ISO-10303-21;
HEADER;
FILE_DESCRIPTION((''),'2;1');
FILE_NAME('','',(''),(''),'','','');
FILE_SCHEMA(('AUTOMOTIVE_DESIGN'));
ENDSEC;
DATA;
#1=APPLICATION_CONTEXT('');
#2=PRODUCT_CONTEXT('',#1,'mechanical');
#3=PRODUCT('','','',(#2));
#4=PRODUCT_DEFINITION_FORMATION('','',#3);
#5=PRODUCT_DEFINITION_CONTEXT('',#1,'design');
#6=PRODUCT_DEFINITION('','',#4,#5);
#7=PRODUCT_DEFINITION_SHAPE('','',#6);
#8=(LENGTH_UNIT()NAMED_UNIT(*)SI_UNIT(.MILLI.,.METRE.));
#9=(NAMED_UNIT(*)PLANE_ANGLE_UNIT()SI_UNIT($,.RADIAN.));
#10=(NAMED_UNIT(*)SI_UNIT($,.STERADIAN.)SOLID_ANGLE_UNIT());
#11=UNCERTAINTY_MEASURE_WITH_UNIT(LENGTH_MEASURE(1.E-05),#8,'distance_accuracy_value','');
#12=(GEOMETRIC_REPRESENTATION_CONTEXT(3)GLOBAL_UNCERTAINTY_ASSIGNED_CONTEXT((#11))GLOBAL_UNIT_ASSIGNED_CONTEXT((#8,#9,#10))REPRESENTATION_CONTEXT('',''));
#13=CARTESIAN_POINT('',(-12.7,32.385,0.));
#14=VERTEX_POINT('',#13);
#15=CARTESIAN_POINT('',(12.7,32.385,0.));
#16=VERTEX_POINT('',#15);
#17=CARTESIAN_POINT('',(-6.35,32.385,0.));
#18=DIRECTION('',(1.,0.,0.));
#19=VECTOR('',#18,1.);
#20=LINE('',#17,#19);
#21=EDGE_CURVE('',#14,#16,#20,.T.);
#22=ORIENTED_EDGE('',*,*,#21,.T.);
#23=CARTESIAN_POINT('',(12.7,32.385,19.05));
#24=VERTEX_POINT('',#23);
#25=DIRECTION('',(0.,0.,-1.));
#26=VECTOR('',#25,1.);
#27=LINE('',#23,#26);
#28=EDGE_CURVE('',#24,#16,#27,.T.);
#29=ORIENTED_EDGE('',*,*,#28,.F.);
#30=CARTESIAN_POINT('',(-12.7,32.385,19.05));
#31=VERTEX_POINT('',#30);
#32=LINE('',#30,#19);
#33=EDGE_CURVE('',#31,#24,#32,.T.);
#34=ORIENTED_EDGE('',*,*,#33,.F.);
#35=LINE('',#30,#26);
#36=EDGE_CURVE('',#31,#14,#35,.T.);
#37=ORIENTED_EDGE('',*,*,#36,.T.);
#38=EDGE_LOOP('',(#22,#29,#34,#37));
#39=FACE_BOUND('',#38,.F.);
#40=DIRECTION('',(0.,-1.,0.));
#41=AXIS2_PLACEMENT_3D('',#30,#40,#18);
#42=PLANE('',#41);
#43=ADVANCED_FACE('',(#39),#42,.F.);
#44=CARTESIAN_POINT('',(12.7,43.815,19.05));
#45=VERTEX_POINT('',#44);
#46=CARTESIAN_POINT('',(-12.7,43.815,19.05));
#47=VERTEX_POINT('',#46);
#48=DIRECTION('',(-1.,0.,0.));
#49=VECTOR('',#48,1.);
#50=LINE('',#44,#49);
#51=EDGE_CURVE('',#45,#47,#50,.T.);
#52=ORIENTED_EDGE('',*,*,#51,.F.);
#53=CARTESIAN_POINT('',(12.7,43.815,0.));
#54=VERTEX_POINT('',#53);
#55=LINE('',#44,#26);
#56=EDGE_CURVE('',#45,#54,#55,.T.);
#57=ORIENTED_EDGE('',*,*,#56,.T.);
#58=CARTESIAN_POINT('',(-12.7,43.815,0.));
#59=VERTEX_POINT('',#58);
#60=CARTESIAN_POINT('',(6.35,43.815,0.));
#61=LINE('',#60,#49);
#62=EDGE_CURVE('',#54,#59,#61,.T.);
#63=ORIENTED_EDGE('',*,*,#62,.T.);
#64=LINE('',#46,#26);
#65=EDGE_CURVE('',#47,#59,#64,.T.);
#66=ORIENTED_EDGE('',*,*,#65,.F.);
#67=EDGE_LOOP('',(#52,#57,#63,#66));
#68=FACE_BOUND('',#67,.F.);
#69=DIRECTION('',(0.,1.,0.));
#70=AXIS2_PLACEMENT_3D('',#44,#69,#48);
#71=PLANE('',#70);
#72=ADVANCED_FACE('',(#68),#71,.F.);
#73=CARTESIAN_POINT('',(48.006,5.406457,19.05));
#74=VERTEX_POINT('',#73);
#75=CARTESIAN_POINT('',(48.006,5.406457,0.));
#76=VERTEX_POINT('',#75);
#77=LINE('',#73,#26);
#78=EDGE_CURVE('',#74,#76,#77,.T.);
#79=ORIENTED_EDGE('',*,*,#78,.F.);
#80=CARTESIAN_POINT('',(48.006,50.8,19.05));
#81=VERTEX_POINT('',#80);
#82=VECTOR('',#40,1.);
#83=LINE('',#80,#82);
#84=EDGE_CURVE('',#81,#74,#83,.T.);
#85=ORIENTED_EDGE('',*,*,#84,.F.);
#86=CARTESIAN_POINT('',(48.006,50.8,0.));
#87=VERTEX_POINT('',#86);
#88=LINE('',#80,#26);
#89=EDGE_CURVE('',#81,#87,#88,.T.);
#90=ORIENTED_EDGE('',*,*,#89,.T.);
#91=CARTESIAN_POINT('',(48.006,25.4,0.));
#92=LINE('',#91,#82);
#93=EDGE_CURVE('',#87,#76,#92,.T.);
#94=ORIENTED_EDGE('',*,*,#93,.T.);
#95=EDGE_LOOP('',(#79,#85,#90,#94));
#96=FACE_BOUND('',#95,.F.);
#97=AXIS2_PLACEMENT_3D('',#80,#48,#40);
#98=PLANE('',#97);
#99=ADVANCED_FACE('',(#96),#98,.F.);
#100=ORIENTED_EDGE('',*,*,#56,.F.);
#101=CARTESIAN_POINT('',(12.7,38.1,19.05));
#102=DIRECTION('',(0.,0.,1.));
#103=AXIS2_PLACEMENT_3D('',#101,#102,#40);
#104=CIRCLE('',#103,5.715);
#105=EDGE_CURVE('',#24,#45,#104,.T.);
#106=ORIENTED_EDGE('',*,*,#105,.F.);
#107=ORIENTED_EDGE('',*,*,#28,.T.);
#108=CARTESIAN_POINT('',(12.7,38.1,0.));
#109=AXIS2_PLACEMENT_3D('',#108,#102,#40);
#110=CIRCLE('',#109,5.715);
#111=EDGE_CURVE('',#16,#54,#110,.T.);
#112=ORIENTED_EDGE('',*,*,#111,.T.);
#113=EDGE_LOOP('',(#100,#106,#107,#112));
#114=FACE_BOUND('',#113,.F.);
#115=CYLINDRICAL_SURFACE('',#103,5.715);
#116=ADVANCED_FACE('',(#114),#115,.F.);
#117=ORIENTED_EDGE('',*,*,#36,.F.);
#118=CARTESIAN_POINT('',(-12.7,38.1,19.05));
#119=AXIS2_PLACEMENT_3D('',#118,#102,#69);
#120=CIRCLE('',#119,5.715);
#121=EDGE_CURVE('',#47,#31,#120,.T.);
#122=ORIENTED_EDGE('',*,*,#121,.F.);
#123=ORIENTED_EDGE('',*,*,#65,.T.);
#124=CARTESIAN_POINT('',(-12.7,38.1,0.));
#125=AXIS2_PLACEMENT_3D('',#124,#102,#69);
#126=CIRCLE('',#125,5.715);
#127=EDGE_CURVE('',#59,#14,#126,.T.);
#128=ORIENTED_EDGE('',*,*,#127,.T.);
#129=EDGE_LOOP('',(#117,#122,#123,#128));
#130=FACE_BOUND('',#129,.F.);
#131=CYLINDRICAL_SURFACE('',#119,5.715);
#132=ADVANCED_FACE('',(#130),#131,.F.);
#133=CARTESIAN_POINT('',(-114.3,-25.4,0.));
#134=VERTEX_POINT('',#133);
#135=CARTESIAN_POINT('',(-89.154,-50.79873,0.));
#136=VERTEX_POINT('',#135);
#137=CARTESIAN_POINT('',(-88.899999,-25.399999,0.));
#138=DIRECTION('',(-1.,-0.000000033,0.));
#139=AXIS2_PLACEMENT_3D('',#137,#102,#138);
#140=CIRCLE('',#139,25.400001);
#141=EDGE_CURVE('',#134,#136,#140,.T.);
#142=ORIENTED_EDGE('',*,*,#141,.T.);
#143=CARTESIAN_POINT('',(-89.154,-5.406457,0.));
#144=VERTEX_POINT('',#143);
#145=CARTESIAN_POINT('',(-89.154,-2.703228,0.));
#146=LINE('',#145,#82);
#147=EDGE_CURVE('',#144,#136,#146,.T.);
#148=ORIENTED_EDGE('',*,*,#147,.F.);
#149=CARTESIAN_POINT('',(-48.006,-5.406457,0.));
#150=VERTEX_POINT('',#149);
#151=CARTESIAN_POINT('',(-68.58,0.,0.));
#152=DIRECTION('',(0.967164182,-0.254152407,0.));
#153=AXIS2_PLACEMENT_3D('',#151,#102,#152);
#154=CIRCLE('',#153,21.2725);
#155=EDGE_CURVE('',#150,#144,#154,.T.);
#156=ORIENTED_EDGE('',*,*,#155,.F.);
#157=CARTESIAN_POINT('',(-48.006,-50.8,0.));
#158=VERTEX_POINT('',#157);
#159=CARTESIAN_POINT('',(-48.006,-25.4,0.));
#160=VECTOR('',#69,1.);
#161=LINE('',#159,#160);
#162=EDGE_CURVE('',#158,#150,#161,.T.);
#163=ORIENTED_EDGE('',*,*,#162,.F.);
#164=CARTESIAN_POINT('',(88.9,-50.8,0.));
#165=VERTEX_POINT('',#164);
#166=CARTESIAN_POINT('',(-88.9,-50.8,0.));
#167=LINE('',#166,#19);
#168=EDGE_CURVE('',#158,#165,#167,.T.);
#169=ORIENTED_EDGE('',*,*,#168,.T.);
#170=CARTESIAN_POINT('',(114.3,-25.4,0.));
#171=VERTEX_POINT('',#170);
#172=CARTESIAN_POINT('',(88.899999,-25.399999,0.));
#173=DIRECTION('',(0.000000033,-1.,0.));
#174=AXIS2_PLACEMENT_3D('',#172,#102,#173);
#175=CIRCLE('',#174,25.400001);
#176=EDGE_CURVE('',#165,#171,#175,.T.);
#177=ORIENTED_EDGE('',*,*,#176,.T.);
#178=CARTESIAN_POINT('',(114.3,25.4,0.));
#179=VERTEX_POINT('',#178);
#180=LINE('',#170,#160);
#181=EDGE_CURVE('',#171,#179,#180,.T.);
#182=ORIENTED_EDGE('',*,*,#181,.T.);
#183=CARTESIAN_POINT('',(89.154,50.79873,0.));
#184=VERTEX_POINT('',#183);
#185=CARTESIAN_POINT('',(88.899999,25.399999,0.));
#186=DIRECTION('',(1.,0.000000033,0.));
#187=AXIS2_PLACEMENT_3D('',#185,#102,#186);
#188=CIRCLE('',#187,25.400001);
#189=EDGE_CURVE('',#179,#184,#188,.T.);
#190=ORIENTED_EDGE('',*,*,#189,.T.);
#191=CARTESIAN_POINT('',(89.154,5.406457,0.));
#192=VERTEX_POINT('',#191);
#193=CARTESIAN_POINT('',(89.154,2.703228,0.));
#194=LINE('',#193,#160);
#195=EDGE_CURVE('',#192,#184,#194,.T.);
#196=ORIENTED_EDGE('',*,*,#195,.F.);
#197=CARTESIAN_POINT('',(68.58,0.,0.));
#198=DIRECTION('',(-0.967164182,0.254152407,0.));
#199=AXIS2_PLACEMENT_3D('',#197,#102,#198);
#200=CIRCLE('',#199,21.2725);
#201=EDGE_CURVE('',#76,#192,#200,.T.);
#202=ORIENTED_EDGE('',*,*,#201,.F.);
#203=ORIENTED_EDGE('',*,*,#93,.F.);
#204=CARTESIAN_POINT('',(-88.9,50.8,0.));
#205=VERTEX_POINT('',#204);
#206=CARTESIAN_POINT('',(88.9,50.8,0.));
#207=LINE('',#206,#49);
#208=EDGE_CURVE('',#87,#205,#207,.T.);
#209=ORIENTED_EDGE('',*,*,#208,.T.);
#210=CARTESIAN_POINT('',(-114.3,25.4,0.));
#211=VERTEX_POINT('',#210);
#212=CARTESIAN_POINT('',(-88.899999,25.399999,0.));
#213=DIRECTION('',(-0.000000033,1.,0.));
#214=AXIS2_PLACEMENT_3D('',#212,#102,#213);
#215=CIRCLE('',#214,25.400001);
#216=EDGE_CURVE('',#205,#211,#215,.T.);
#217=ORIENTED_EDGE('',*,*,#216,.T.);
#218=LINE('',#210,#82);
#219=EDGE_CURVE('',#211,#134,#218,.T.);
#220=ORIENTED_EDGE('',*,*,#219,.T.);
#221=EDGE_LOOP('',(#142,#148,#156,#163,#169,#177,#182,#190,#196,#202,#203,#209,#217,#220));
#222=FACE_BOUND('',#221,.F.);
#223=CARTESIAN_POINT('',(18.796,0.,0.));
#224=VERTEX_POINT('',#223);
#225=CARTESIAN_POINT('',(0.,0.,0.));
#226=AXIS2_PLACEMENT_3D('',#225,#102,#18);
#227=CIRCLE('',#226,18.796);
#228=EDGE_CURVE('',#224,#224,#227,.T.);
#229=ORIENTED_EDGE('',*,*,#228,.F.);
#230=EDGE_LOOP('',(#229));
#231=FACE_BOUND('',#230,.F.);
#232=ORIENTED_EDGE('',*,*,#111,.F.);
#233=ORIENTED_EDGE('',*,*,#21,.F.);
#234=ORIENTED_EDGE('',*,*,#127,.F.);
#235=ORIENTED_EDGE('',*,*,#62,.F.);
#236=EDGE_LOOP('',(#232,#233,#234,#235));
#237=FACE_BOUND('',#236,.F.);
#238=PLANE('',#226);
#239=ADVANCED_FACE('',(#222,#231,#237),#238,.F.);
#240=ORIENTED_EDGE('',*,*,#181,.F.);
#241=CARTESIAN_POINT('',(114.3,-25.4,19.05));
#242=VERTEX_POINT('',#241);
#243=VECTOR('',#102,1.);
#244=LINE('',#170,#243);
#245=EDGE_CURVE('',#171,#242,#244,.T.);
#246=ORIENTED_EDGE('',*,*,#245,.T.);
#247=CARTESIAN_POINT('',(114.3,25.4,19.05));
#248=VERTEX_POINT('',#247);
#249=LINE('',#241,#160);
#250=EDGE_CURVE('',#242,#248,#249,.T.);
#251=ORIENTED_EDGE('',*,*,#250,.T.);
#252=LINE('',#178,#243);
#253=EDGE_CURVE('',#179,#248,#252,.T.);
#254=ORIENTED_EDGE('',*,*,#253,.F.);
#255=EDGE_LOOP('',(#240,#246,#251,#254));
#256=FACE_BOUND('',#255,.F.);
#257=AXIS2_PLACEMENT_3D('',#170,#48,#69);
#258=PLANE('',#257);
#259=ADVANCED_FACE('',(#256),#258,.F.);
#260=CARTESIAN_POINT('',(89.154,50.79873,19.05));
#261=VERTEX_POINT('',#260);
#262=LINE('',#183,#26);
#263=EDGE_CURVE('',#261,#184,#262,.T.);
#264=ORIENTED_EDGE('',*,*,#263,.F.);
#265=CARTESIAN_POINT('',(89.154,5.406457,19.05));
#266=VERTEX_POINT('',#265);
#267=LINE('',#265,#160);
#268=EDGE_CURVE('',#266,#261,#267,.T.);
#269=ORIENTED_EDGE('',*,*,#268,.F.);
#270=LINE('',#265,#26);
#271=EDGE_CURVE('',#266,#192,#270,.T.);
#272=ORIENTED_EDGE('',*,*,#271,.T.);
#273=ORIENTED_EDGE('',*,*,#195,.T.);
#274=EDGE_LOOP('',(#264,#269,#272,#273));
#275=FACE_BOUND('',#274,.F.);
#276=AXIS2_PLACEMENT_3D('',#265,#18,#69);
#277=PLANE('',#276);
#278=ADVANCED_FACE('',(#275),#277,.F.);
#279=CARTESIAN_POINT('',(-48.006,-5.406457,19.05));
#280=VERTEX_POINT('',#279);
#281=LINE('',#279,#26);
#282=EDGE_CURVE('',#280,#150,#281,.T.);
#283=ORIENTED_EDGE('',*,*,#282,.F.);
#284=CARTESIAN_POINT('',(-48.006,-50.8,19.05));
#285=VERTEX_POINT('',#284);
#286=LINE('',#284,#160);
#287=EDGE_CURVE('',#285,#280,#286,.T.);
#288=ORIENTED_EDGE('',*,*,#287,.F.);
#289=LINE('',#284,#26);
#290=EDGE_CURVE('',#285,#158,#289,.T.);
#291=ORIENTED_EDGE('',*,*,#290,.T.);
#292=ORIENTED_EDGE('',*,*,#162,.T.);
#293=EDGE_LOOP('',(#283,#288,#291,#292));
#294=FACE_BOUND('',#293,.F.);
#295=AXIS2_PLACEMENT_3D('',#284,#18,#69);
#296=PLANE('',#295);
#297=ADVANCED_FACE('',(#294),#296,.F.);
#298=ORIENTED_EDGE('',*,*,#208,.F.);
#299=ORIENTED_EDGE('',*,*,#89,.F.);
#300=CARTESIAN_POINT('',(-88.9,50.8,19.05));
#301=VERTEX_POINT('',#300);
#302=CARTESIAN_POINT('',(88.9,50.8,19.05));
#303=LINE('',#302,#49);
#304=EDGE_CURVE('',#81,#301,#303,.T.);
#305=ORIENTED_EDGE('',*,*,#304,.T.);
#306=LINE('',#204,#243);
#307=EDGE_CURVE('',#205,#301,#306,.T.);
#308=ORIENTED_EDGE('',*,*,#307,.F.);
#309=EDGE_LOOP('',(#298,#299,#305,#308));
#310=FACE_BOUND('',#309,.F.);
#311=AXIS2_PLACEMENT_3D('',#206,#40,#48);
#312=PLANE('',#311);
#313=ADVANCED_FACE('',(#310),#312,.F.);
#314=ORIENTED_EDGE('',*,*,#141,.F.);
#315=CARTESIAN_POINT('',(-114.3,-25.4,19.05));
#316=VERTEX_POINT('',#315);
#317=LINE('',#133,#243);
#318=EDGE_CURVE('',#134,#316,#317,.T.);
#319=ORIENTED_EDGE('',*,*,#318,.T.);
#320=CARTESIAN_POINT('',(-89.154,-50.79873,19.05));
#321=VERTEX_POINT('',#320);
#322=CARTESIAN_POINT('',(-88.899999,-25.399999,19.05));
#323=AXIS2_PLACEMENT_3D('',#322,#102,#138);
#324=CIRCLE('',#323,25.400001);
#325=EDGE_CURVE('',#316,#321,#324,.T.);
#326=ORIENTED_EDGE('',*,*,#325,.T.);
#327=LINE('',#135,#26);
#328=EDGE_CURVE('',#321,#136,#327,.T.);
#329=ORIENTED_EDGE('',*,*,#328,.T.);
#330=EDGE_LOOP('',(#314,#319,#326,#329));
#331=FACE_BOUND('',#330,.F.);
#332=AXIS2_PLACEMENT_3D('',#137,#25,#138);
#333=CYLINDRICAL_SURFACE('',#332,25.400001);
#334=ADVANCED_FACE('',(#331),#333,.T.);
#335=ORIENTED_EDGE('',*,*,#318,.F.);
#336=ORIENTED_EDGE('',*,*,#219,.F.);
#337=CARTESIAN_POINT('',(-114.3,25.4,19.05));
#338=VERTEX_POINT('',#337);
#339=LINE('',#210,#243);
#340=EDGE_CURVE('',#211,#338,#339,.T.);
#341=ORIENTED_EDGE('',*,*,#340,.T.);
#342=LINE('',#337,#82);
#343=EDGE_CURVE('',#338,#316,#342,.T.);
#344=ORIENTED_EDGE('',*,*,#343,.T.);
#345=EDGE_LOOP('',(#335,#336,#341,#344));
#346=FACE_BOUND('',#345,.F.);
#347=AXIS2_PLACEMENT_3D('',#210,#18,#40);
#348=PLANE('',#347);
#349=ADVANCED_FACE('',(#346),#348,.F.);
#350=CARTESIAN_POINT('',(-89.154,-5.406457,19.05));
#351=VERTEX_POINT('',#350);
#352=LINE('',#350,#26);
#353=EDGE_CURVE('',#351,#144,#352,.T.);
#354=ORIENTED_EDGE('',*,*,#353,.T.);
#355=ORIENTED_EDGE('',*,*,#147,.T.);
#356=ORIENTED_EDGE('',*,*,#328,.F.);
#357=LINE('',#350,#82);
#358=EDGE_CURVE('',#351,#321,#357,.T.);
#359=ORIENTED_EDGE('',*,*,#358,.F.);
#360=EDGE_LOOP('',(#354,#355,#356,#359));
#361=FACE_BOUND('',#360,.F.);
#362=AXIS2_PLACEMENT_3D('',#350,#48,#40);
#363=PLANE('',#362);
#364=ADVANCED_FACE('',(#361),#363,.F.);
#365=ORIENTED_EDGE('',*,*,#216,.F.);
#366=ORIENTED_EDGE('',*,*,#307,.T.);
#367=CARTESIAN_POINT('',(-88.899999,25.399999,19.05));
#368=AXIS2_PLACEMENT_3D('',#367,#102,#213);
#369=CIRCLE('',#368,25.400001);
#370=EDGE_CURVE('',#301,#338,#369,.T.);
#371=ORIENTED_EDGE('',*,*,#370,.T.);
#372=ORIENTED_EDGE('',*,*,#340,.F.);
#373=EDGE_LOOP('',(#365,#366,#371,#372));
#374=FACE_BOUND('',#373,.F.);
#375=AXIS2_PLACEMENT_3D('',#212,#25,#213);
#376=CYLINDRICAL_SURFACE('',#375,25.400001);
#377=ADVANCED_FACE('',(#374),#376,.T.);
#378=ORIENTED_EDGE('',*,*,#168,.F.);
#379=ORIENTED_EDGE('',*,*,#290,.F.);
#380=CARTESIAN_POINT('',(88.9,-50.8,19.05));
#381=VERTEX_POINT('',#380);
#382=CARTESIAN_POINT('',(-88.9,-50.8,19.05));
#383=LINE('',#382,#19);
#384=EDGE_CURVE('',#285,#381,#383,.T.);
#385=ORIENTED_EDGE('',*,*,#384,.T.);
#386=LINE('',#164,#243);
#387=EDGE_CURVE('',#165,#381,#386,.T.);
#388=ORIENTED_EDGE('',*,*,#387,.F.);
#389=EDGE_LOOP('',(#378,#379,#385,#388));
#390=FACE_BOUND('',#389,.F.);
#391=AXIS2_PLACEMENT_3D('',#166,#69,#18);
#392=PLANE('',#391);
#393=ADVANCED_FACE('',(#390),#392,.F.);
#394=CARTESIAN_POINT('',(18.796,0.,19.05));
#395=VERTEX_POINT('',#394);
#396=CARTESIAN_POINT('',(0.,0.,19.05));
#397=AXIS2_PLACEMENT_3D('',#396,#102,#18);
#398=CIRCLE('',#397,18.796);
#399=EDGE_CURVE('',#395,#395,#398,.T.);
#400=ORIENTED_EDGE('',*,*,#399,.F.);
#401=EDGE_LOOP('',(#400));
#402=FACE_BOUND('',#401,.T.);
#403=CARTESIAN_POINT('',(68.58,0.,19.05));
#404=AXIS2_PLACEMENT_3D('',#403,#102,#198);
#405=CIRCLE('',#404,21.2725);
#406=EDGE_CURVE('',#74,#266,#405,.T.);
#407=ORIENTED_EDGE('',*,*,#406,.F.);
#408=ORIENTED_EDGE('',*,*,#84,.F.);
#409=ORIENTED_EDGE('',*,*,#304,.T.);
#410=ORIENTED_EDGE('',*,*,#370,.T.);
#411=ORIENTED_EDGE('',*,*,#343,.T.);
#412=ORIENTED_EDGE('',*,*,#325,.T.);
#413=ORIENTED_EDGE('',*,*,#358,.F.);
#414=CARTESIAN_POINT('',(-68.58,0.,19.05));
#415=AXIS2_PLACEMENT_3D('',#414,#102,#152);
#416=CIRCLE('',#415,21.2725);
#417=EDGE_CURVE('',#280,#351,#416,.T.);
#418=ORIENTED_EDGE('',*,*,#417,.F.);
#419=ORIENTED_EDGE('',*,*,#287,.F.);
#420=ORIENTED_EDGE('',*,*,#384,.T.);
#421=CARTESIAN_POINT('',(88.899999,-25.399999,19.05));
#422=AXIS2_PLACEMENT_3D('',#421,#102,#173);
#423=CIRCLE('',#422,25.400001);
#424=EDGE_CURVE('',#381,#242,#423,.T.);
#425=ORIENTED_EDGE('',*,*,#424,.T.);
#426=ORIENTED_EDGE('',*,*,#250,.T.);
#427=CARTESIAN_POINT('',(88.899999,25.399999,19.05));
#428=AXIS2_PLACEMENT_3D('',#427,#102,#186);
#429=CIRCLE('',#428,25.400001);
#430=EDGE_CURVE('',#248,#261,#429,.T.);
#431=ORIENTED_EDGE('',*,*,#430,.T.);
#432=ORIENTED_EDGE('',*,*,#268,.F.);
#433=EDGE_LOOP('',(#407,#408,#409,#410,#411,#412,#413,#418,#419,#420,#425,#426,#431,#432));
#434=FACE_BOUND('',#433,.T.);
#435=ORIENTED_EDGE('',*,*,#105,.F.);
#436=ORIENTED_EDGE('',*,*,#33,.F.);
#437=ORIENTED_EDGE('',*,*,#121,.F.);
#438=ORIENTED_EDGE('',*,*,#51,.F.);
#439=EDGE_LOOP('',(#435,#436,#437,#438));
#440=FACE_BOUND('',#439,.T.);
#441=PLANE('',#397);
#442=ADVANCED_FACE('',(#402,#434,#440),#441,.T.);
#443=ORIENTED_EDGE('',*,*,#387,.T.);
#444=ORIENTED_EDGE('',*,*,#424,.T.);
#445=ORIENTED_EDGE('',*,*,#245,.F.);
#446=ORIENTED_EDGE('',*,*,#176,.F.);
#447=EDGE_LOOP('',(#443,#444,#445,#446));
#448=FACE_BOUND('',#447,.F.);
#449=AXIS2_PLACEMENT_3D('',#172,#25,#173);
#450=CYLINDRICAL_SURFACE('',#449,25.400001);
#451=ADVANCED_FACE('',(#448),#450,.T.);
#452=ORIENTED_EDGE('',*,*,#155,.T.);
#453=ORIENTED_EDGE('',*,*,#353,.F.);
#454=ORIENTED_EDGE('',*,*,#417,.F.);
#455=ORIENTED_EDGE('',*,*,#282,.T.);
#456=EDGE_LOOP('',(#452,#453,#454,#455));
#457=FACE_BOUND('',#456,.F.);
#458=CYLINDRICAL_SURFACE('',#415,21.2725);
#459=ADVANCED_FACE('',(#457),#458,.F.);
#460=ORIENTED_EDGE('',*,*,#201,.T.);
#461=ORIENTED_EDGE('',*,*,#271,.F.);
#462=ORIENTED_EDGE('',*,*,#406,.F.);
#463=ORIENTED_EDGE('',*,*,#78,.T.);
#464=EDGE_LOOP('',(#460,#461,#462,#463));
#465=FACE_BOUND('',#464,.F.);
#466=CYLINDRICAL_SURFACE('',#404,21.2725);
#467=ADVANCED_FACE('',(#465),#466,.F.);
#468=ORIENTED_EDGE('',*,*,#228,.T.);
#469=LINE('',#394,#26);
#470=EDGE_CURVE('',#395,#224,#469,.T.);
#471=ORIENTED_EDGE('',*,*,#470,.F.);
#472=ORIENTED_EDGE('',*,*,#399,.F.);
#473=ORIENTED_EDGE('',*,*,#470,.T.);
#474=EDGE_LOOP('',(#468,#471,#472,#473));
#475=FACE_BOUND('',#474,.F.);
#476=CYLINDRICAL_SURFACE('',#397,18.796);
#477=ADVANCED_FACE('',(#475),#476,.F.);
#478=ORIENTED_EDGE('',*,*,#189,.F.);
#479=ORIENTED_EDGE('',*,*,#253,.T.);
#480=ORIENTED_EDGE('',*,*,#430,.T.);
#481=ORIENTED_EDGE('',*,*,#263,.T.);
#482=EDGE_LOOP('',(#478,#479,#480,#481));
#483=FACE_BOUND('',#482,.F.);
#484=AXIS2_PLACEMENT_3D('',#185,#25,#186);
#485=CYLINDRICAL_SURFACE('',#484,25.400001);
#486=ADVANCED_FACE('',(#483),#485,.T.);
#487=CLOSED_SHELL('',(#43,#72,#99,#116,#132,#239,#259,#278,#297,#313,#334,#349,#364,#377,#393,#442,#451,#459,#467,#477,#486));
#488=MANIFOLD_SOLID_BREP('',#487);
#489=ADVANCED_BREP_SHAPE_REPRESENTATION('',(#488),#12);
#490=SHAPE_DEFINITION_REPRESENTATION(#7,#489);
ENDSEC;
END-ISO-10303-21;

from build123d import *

# Parameters (mm, degrees)
F1_DEPTH = 19.05
F2_R     = 18.796
F3_DEPTH = 19.051
F5_DEPTH = 19.051
F7_DEPTH = 19.051


with BuildPart() as f1:
    # F0 (on Top) → F1 (new body)
    with BuildSketch(Plane.XY):
        with BuildLine():
            ThreePointArc((114.3, 25.4), (106.860512, 43.360512), (88.9, 50.8))
            Line((88.9, 50.8), (-88.9, 50.8))
            ThreePointArc((-88.9, 50.8), (-106.860512, 43.360512), (-114.3, 25.4))
            Line((-114.3, 25.4), (-114.3, -25.4))
            ThreePointArc((-114.3, -25.4), (-106.860512, -43.360512), (-88.9, -50.8))
            Line((-88.9, -50.8), (88.9, -50.8))
            ThreePointArc((88.9, -50.8), (106.860512, -43.360512), (114.3, -25.4))
            Line((114.3, -25.4), (114.3, 25.4))
        make_face()
    extrude(amount=F1_DEPTH)

    # F2 (on face) → F3 (cut, through all)
    with BuildSketch(Plane.XY.offset(19.05)):
        Circle(F2_R)
    extrude(amount=-F3_DEPTH, mode=Mode.SUBTRACT)

    # F4 (on face) → F5 (cut, through all)
    with BuildSketch(Plane.XY.offset(19.05)):
        with BuildLine():
            Line((-48.006, -50.8), (-48.006, -5.406457))
            ThreePointArc((-48.006, -5.406457), (-68.58, 21.2725), (-89.154, -5.406457))
            Line((-89.154, -5.406457), (-89.154, -50.8))
            Line((-89.154, -50.8), (-48.006, -50.8))
        make_face()
        with BuildLine():
            ThreePointArc((48.006, 5.406457), (68.58, -21.2725), (89.154, 5.406457))
            Line((89.154, 5.406457), (89.154, 50.8))
            Line((89.154, 50.8), (48.006, 50.8))
            Line((48.006, 50.8), (48.006, 5.406457))
        make_face()
    extrude(amount=-F5_DEPTH, mode=Mode.SUBTRACT)

    # F6 (on face) → F7 (cut, through all)
    with BuildSketch(Plane.XY.offset(19.05)):
        with BuildLine():
            ThreePointArc((-12.7, 43.815), (-18.415, 38.1), (-12.7, 32.385))
            Line((-12.7, 32.385), (12.7, 32.385))
            ThreePointArc((12.7, 32.385), (18.415, 38.1), (12.7, 43.815))
            Line((12.7, 43.815), (-12.7, 43.815))
        make_face()
    extrude(amount=-F7_DEPTH, mode=Mode.SUBTRACT)


solid = f1.part
